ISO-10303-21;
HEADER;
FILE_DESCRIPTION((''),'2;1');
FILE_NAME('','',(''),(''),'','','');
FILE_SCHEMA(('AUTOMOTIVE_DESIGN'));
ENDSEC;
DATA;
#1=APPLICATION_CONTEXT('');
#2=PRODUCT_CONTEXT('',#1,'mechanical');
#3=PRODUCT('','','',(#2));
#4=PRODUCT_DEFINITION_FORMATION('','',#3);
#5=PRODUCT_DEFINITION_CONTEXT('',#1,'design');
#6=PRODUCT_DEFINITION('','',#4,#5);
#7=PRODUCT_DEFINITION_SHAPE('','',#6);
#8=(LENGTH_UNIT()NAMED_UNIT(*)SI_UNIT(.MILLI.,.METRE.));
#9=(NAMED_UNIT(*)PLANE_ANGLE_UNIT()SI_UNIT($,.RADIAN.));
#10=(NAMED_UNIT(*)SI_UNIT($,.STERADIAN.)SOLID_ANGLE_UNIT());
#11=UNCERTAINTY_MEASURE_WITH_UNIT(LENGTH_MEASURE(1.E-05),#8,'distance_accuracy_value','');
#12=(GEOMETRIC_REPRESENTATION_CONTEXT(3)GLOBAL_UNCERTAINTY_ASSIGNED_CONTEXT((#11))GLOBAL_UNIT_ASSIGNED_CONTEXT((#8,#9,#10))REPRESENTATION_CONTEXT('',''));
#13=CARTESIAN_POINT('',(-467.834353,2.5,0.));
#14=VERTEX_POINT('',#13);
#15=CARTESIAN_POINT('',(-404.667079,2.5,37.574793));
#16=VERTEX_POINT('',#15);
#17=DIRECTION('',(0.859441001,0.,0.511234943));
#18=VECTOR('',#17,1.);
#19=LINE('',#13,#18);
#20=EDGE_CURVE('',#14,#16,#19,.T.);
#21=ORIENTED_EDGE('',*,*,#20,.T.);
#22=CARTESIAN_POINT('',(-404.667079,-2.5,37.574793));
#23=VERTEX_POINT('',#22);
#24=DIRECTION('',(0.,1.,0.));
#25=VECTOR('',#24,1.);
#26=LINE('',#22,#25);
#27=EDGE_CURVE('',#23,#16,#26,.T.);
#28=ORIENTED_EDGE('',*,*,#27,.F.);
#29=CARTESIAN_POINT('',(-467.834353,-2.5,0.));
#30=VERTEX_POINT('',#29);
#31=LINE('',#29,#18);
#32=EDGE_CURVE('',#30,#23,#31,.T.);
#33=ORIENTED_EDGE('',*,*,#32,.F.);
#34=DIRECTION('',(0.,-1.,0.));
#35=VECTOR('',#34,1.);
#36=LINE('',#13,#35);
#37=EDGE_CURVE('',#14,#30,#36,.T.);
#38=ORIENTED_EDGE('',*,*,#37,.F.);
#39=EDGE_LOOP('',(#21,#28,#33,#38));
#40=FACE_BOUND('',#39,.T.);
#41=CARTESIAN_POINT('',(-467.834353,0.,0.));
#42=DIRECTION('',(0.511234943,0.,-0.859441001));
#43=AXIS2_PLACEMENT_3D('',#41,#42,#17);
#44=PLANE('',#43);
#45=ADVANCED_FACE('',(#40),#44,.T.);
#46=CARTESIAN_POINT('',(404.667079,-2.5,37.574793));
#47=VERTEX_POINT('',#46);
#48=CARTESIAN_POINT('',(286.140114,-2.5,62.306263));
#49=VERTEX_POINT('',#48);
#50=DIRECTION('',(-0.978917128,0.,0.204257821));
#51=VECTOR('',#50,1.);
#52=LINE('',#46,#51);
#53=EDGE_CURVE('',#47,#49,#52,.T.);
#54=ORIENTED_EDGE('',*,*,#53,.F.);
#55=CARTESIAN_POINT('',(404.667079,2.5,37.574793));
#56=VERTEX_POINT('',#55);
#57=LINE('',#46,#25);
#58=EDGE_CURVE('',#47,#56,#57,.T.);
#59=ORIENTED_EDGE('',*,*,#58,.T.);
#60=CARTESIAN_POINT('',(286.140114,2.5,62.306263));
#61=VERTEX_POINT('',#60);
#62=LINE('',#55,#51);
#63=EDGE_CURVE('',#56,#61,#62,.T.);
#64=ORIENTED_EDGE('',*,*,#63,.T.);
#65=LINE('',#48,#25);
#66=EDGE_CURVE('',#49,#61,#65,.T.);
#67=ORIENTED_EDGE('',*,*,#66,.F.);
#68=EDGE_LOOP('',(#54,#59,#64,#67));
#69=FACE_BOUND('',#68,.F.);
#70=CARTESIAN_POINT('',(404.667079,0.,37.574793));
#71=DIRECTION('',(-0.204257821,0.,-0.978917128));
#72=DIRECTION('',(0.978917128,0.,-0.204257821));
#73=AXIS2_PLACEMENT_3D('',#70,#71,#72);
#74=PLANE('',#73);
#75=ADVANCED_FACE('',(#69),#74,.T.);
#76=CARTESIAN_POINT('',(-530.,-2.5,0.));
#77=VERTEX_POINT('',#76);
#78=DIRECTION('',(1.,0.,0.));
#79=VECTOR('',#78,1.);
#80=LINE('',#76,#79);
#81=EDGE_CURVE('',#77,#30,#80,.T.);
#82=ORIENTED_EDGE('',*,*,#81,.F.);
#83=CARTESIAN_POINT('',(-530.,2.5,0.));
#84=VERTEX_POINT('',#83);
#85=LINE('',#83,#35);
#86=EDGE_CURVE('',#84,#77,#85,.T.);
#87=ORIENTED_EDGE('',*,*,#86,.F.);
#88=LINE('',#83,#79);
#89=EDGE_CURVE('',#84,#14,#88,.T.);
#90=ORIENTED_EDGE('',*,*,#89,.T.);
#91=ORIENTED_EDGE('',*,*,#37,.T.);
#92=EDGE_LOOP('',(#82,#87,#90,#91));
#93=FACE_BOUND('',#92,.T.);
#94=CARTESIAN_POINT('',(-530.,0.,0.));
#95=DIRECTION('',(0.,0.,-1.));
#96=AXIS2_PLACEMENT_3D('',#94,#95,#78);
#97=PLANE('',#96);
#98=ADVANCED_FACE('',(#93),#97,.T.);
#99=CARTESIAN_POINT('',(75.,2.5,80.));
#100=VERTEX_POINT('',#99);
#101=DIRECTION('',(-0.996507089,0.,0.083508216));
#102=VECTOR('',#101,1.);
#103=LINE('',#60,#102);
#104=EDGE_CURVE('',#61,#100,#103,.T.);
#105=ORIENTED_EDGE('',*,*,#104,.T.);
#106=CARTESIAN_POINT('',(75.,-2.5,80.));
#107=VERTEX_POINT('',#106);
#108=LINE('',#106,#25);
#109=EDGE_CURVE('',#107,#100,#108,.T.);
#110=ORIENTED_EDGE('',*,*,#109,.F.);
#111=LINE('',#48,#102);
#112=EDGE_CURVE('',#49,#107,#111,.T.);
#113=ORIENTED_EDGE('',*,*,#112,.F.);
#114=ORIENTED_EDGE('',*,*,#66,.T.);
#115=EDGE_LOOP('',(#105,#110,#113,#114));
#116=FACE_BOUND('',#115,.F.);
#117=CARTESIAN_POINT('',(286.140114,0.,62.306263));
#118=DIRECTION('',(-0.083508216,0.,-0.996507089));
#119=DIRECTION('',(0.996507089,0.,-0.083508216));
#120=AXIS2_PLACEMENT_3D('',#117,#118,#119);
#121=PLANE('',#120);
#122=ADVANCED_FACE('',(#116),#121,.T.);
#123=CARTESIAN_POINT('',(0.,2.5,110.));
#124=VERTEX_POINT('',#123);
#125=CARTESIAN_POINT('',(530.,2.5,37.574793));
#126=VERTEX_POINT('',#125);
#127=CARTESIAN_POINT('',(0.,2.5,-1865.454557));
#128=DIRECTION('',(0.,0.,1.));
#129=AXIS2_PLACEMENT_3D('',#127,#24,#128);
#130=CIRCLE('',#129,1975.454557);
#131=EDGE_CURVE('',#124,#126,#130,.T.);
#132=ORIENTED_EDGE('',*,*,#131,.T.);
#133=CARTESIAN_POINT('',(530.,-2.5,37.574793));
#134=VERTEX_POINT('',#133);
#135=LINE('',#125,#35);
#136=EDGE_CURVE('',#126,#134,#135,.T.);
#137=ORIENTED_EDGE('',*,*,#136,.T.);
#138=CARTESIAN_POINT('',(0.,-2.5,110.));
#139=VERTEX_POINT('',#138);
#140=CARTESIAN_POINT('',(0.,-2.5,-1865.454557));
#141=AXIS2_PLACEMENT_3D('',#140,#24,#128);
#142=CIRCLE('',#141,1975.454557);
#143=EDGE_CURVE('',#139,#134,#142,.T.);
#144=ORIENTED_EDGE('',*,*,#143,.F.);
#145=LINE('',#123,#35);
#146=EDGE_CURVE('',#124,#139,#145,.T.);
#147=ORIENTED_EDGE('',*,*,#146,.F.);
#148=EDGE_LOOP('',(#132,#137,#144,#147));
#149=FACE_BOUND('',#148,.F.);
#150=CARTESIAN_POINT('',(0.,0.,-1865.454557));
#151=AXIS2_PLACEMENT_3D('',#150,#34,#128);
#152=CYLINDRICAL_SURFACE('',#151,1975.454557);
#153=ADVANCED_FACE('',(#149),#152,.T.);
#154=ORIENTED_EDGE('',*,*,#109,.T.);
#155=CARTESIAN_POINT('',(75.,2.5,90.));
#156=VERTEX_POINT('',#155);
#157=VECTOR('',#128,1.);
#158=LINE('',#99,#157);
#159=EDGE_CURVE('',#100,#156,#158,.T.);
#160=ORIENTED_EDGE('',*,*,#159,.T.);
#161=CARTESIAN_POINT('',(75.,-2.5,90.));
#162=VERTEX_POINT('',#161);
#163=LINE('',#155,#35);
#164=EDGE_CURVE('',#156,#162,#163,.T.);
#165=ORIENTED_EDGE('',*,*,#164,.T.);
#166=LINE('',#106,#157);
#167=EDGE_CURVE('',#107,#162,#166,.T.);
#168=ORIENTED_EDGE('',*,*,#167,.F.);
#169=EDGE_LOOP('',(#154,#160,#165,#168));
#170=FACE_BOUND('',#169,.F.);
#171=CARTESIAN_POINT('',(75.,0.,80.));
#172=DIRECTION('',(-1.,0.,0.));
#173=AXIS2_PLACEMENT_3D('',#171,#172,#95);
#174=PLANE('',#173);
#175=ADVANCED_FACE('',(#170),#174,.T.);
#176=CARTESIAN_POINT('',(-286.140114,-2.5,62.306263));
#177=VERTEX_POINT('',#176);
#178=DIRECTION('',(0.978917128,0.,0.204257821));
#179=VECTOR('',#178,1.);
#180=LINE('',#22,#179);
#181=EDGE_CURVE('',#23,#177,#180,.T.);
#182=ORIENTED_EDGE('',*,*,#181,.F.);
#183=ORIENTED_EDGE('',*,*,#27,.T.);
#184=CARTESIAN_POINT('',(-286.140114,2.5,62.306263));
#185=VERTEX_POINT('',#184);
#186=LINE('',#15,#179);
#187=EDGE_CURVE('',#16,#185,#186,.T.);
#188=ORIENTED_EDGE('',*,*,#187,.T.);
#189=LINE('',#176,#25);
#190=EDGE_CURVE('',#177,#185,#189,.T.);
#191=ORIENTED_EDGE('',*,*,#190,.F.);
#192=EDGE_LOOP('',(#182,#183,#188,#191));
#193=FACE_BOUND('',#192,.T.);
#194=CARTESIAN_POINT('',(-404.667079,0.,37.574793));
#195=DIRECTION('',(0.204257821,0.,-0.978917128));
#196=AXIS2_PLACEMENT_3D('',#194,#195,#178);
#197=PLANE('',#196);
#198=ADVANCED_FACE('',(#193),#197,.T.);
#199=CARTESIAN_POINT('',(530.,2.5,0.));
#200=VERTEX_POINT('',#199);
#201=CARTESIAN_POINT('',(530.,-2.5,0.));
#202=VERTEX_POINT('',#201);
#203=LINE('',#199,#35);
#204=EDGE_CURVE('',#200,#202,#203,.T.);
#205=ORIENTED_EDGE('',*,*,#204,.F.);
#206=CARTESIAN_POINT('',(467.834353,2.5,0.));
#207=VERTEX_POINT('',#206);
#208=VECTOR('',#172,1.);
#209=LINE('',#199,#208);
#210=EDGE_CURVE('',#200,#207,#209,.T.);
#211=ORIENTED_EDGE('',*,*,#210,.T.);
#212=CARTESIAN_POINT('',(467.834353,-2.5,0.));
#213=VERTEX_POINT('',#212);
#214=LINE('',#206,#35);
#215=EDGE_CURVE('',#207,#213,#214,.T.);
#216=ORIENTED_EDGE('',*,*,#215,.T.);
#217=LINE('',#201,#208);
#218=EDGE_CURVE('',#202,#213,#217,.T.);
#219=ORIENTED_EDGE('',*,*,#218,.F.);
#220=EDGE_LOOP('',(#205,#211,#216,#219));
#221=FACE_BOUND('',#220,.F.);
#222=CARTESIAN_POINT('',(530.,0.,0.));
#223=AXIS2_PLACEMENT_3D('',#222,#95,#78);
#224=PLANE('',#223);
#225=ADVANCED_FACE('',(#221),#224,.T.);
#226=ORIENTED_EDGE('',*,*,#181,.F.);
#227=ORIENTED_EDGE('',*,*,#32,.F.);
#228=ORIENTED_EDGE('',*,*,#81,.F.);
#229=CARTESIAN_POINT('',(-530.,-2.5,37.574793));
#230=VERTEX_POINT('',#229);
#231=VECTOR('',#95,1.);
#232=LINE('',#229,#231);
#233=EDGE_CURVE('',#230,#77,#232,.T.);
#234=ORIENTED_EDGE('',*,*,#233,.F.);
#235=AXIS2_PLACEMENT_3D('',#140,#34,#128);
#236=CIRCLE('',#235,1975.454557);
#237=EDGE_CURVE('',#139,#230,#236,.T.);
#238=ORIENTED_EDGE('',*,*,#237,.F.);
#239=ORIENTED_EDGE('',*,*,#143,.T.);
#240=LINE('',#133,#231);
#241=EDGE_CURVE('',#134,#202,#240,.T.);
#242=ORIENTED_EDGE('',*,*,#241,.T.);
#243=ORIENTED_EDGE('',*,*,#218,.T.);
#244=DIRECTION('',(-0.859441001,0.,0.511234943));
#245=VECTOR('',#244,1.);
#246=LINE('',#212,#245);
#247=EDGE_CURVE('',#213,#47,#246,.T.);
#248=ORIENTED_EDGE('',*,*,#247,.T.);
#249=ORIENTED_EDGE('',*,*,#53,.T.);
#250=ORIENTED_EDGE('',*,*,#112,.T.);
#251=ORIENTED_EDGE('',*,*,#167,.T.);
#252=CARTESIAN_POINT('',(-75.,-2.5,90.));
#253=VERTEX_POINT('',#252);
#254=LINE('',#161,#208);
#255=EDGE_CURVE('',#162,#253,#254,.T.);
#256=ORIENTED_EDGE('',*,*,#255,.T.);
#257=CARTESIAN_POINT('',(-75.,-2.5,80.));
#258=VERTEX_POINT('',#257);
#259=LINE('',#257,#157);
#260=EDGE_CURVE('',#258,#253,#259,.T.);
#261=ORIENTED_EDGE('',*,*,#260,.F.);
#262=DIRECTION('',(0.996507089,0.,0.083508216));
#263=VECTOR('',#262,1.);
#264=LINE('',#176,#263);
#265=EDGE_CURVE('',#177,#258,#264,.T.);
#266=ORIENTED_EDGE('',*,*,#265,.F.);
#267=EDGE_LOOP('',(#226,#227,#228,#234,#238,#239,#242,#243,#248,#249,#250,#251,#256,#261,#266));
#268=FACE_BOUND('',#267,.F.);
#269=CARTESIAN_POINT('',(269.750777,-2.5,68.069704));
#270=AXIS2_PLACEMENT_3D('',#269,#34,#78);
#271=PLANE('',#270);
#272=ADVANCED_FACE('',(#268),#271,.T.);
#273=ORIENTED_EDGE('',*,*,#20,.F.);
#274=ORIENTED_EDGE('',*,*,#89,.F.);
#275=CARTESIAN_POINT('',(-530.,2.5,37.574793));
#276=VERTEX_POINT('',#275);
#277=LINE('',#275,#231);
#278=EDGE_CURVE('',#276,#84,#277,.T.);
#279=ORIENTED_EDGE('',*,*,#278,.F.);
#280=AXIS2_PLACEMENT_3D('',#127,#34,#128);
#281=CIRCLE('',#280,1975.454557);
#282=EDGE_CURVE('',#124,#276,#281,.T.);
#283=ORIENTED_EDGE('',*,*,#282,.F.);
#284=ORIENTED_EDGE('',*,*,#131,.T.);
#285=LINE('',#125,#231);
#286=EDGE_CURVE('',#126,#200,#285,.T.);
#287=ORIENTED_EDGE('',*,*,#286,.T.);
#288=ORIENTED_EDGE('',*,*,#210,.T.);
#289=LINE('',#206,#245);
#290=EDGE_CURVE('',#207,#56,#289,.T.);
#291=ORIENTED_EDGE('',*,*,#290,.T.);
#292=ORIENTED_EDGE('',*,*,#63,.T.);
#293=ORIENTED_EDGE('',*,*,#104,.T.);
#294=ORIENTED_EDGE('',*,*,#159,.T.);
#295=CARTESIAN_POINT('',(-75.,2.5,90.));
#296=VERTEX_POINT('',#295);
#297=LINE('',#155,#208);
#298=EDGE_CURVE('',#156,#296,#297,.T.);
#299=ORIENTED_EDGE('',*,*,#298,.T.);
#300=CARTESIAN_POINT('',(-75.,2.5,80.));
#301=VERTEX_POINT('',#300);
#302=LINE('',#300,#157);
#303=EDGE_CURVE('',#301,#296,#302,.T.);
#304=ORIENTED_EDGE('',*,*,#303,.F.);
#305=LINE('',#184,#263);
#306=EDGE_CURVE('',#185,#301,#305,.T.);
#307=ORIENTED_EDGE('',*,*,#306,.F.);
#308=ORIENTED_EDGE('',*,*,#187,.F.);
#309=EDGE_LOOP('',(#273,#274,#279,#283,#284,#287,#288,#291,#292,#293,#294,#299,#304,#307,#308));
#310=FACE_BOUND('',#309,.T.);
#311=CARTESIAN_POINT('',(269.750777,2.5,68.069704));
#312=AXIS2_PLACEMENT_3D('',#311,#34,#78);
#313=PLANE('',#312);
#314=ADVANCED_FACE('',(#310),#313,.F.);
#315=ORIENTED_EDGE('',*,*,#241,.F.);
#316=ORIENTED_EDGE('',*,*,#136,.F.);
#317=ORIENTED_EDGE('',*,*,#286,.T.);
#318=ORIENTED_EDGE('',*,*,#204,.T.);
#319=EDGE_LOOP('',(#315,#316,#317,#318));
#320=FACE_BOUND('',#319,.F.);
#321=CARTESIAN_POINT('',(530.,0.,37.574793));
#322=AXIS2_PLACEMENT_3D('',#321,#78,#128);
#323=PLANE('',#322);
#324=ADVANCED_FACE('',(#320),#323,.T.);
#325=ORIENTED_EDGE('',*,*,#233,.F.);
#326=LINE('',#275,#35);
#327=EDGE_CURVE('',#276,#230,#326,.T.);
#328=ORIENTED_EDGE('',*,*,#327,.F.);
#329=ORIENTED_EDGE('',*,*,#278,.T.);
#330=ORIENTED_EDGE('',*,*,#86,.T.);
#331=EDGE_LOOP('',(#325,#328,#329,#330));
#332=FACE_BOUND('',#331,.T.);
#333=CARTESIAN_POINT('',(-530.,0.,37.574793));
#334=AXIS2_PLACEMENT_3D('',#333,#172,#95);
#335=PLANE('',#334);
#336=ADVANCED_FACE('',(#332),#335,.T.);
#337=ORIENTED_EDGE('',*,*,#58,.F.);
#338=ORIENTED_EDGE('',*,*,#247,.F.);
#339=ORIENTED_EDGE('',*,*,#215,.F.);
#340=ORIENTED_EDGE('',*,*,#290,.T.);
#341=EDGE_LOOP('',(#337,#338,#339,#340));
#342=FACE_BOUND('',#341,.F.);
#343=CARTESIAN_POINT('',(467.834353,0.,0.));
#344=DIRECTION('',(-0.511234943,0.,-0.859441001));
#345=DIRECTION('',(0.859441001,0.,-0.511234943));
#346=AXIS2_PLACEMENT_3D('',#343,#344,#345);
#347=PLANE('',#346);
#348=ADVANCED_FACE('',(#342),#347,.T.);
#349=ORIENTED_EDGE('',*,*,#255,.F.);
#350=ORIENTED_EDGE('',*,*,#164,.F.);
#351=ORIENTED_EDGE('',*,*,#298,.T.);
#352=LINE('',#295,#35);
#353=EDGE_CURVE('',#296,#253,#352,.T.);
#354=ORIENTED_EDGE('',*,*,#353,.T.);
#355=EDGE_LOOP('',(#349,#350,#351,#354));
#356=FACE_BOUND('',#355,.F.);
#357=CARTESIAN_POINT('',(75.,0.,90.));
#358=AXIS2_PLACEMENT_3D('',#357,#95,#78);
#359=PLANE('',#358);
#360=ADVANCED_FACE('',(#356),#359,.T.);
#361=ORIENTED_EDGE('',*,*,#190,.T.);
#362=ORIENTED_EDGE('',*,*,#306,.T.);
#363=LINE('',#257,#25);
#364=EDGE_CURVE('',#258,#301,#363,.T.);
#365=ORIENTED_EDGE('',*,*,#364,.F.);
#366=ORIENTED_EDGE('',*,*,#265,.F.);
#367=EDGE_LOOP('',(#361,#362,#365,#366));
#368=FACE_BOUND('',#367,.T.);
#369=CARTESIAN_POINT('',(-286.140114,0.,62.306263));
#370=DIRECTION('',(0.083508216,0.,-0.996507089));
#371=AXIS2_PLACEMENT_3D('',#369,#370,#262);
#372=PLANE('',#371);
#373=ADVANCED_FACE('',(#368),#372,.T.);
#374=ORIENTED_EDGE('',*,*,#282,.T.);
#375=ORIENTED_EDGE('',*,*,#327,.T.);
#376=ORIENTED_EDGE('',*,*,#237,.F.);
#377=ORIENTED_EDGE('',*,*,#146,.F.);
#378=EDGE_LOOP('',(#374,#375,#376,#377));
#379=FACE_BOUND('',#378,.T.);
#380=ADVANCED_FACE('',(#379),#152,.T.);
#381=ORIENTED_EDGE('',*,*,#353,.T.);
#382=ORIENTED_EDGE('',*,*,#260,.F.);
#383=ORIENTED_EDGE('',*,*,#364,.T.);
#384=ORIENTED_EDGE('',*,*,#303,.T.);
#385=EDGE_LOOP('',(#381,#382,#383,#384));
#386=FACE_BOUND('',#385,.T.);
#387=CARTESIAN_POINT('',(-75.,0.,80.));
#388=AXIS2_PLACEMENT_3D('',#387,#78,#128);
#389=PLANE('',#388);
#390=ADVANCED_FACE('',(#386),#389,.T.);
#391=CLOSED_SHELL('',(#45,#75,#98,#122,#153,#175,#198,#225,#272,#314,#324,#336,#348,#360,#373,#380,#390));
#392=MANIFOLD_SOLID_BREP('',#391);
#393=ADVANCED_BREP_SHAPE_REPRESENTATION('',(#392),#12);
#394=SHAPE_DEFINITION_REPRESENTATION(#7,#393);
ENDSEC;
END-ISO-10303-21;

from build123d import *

# Parameters (mm, degrees)
F1_DEPTH = 2.5


with BuildPart() as f1:
    # F0 (on Front) → F1 (new body, symmetric)
    with BuildSketch(Plane.XZ):
        with BuildLine():
            Line((-75, 80), (-75, 90))
            Line((-75, 90), (0, 90))
            Line((0, 90), (0, 110))
            ThreePointArc((0, 110), (-267.462806, 91.809951), (-530, 37.574793))
            Line((-530, 37.574793), (-530, 0))
            Line((-530, 0), (-467.834353, 0))
            Line((-467.834353, 0), (-404.667079, 37.574793))
            Line((-404.667079, 37.574793), (-286.140114, 62.306263))
            Line((-286.140114, 62.306263), (-75, 80))
        make_face()
    extrude(amount=F1_DEPTH, both=True)

    # F2: F1 across plane


with BuildPart() as f1_1:
    add(f1.part)
    add(f1.part.mirror(Plane.YZ))


solid = f1_1.part
